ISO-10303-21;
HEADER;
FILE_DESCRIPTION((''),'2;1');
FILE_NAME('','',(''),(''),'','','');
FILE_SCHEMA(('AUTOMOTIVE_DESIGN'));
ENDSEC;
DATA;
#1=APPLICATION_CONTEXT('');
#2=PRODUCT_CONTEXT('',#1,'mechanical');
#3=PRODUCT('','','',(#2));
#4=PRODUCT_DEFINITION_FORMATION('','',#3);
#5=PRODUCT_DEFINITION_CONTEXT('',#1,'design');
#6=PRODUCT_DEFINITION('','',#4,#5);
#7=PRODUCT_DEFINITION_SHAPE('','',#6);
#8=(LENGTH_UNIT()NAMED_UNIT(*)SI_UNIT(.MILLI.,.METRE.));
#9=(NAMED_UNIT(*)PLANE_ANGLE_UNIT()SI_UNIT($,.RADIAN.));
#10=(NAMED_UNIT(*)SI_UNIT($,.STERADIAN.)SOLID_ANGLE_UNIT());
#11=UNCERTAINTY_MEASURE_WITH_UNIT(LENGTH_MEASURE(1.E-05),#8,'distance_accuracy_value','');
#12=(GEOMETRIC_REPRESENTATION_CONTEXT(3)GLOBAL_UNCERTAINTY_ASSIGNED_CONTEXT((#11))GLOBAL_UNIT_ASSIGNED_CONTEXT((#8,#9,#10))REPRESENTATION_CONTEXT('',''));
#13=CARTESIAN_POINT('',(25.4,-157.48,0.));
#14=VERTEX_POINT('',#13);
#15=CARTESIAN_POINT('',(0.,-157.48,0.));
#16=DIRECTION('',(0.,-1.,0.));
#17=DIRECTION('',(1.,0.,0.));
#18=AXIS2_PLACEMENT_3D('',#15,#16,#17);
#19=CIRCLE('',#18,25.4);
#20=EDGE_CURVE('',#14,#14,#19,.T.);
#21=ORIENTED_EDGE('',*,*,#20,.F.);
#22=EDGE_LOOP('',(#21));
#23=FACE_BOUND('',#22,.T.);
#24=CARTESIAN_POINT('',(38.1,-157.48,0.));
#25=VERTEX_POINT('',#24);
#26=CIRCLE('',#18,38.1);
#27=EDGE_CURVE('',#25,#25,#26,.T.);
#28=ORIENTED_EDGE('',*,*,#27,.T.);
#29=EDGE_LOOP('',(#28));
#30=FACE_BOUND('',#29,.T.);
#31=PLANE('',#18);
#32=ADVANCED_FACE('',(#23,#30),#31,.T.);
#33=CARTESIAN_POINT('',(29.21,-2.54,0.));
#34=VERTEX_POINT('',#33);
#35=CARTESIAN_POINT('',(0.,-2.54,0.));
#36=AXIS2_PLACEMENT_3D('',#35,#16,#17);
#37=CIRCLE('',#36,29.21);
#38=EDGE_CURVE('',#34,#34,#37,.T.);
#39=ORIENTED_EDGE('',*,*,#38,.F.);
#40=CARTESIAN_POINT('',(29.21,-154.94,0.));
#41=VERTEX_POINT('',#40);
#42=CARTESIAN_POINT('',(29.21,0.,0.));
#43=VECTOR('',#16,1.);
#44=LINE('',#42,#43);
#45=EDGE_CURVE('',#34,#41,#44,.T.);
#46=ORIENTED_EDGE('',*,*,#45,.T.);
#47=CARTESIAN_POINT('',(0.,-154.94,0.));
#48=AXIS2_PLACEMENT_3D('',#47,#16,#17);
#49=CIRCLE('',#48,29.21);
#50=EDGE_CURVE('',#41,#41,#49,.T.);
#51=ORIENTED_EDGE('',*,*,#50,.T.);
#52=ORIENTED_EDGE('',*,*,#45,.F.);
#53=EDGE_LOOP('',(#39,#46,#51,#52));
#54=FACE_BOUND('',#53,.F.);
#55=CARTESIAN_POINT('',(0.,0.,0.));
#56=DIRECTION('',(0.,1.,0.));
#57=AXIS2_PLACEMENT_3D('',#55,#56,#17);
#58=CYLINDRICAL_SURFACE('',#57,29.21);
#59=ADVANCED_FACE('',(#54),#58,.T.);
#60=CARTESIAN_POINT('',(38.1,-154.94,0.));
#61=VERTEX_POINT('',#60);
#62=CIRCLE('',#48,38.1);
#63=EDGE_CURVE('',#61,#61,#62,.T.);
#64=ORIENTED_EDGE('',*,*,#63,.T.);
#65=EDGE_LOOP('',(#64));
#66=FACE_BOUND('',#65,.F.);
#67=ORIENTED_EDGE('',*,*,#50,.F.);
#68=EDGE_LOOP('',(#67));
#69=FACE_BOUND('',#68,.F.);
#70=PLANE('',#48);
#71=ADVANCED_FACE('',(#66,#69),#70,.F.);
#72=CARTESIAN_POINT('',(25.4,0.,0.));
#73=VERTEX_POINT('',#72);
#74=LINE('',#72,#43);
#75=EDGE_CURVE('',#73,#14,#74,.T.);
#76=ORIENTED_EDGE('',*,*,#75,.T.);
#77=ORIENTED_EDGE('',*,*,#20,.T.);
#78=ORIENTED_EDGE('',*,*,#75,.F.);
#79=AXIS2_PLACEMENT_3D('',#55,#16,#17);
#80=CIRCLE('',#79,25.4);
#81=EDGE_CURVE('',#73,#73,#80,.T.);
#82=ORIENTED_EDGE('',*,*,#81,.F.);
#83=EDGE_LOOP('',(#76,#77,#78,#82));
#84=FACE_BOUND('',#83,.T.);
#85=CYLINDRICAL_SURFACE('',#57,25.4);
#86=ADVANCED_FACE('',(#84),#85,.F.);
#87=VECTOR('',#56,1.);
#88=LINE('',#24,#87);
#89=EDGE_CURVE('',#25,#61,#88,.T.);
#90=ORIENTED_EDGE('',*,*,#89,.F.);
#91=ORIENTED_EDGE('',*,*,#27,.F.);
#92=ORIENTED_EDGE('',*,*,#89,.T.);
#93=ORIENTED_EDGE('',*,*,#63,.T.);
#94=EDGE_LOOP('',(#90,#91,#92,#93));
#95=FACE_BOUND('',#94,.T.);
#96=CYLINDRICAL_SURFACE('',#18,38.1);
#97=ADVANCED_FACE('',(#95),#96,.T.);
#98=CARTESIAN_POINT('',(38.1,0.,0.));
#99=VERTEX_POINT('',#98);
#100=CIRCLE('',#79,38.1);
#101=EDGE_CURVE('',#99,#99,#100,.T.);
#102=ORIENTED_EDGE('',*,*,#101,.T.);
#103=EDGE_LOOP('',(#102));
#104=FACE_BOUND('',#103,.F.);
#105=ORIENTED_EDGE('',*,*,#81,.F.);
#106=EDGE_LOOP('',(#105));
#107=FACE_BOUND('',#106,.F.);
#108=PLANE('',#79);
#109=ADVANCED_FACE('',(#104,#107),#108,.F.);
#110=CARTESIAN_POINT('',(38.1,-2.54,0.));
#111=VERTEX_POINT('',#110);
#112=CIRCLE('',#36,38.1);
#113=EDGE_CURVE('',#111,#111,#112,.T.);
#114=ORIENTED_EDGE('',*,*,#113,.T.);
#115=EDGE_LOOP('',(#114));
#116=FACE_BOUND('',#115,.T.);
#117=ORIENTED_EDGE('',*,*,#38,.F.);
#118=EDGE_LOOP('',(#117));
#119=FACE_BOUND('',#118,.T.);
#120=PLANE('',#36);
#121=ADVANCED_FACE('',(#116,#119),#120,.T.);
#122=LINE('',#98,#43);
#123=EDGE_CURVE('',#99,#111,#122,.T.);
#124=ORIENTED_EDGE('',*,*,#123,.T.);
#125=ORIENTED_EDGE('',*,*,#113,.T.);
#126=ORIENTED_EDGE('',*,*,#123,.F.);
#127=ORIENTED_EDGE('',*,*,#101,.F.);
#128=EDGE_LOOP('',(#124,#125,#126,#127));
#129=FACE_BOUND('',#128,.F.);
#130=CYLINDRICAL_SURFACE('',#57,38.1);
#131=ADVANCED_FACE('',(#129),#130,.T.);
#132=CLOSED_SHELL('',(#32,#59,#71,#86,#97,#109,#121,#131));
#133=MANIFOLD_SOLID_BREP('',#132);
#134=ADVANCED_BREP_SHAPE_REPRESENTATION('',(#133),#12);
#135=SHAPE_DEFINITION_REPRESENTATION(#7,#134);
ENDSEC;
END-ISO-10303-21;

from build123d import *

# Parameters (mm, degrees)
F0_R     = 38.1
F0_R_2   = 29.21
F1_DEPTH = 2.54
F0_R_3   = 25.4
F2_DEPTH = 157.48
F3_R     = 38.1
F3_R_2   = 29.21
F4_DEPTH = 2.54


with BuildPart() as f1:
    # F0 (on Front) → F1 (new body)
    with BuildSketch(Plane.XZ):
        Circle(F0_R)
        Circle(F0_R_2, mode=Mode.SUBTRACT)
    extrude(amount=F1_DEPTH)

    # F0 (on Front) → F2 (join)
    with BuildSketch(Plane.XZ):
        Circle(F0_R_2)
        Circle(F0_R_3, mode=Mode.SUBTRACT)
    extrude(amount=F2_DEPTH)

    # F3 (on face) → F4 (join)
    with BuildSketch(Plane.XZ.offset(157.48)):
        Circle(F3_R)
        Circle(F3_R_2, mode=Mode.SUBTRACT)
    extrude(amount=-F4_DEPTH)


solid = f1.part
